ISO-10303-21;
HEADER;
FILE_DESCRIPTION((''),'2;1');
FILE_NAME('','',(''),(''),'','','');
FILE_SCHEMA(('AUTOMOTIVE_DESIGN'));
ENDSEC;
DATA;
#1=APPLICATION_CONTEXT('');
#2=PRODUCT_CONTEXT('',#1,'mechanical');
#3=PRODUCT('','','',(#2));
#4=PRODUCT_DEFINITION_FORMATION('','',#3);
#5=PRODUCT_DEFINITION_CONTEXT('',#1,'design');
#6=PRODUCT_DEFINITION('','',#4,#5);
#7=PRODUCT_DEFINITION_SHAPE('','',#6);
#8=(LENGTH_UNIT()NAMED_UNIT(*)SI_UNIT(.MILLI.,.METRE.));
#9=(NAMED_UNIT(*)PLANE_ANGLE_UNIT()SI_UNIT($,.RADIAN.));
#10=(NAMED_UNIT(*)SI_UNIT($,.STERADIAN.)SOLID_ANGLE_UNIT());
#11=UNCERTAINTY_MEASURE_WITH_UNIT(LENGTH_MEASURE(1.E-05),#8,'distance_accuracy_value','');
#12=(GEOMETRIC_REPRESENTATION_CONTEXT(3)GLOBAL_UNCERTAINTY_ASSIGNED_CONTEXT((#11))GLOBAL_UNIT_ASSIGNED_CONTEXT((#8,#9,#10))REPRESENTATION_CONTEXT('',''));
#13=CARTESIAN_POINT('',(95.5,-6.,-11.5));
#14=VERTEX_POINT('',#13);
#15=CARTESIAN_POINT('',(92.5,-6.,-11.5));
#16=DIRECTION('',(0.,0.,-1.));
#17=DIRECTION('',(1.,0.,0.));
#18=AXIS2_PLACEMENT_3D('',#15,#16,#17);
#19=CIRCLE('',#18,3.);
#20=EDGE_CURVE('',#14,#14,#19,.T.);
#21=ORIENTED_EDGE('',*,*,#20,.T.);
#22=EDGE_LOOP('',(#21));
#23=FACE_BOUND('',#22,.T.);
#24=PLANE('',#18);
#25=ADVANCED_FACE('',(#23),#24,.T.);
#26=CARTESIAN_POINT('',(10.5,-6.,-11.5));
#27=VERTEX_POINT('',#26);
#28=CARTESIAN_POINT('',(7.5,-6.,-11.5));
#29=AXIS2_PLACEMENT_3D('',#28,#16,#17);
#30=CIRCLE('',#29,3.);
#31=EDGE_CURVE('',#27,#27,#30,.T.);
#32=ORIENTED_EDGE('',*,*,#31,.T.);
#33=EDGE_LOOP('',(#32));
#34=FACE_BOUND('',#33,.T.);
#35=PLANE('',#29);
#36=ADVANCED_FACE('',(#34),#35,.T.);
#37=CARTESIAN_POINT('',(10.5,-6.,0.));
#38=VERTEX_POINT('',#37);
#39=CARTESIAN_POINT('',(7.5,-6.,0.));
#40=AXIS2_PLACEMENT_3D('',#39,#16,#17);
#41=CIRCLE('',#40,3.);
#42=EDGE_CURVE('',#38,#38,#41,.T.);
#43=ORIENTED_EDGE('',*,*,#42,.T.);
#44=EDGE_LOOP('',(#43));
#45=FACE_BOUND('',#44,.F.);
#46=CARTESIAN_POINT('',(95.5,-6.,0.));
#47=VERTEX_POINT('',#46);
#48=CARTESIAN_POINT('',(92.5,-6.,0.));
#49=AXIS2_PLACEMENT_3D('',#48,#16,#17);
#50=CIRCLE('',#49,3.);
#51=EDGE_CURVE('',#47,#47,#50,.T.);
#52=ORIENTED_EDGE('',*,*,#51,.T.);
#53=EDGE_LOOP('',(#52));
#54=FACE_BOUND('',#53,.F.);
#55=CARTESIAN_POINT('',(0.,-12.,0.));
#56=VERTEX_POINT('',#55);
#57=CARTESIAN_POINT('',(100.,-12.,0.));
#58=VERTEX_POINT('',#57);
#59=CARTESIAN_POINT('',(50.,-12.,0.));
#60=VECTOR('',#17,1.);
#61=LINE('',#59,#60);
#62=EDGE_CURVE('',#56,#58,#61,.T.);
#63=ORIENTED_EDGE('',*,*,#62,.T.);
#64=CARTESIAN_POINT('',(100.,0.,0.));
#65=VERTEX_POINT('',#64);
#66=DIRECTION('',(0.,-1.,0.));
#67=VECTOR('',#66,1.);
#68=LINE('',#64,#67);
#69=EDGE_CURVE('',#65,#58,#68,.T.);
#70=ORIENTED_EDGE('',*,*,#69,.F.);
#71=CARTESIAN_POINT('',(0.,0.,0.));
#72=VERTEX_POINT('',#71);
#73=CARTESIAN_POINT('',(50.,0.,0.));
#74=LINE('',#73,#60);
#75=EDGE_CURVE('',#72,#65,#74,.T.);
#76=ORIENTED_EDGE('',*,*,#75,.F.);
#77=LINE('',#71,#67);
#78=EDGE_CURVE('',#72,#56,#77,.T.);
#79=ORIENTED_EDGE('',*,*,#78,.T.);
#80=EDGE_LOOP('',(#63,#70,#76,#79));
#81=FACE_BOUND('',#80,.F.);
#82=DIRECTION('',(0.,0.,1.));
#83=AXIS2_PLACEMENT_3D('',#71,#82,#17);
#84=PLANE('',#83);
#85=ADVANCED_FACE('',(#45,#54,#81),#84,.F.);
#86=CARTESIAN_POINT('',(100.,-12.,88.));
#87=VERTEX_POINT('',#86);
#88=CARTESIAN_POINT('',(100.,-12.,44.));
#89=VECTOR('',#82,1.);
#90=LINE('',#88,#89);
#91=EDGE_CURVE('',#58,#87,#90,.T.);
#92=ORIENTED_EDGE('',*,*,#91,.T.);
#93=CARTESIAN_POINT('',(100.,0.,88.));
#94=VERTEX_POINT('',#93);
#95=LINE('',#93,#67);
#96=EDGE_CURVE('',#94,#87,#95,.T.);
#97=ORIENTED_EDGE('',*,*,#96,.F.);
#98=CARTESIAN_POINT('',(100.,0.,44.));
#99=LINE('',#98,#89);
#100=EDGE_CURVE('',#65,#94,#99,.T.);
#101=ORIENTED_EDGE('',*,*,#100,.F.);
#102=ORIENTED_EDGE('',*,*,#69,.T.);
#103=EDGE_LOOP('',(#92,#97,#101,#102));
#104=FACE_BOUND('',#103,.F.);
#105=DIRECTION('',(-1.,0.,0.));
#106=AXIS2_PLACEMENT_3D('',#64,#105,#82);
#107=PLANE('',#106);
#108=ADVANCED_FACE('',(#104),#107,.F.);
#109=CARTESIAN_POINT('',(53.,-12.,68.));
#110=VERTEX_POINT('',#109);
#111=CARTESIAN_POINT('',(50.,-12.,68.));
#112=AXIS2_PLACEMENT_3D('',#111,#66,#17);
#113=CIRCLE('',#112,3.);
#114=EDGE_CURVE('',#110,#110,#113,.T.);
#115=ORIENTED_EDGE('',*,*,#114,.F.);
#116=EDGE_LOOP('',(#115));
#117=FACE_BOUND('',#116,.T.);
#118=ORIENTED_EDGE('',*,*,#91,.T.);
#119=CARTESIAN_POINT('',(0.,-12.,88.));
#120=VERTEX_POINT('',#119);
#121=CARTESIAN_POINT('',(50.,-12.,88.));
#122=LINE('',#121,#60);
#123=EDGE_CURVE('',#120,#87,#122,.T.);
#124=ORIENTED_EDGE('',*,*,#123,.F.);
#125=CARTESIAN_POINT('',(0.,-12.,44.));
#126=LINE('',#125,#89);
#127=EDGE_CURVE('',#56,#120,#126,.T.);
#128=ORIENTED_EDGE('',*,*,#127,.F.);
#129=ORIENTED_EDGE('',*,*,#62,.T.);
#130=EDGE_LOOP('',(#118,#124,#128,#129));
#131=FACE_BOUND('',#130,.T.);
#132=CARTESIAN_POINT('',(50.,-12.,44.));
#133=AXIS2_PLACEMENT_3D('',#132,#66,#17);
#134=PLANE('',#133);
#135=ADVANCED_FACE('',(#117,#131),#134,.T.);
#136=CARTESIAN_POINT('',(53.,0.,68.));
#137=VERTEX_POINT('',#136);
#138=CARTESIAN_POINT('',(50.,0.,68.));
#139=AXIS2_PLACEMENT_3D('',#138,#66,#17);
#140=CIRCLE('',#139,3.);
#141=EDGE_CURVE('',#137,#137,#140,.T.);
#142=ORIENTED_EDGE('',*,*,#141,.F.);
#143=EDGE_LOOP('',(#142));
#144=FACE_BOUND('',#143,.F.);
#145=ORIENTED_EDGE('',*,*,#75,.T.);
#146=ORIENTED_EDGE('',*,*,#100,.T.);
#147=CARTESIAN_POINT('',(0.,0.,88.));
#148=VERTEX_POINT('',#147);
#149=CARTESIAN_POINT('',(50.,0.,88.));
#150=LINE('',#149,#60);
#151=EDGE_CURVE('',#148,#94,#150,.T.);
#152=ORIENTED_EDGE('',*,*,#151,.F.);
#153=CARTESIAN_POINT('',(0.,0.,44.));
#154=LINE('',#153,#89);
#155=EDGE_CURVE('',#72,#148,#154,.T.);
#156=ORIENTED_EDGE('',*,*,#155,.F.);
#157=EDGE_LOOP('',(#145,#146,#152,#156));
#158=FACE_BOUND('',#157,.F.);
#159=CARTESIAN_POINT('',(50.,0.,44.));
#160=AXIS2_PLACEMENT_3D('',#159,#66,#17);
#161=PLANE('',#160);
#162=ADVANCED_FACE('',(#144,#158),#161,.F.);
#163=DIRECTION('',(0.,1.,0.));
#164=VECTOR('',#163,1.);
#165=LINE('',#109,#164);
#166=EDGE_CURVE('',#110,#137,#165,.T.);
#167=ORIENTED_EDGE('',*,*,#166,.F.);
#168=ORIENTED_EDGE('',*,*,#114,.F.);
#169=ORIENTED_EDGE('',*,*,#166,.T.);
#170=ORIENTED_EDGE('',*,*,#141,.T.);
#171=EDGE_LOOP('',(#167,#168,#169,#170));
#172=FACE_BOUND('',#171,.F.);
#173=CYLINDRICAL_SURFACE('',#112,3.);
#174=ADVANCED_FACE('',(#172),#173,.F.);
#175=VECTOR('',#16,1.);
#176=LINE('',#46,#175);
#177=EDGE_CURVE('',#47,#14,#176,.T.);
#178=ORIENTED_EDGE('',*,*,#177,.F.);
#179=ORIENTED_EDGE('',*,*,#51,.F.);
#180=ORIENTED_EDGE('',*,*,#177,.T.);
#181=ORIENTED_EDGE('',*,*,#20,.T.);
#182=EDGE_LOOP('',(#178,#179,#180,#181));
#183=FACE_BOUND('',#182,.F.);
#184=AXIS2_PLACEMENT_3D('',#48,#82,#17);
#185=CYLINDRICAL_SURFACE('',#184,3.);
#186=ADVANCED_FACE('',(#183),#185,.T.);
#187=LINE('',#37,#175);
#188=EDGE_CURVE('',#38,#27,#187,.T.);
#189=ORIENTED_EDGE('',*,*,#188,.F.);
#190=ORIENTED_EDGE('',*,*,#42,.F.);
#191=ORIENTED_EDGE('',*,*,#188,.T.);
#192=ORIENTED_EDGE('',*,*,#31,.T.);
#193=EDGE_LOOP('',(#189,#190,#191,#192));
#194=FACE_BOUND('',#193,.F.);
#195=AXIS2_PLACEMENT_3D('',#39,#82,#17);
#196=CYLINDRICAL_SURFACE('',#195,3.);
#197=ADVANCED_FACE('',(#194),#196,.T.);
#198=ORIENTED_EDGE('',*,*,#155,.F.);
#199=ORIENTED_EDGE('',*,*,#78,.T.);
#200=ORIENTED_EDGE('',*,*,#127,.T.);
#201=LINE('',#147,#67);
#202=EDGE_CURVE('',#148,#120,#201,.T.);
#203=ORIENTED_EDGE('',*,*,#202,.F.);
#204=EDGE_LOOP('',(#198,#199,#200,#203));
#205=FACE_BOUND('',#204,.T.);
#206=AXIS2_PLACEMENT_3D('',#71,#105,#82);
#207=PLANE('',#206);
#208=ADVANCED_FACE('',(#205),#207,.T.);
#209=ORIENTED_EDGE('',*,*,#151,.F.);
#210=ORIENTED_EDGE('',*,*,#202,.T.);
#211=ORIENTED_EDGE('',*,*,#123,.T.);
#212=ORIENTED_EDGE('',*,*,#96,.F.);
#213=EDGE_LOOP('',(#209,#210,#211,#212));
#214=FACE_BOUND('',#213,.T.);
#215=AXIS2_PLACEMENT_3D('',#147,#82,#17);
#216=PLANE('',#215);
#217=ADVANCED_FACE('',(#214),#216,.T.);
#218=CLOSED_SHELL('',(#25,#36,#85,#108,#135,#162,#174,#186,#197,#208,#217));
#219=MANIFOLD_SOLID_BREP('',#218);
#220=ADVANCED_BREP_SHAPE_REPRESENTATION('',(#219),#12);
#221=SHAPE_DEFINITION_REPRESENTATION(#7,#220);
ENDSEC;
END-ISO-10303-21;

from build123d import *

# Parameters (mm, degrees)
F0_W     = 100
F0_H     = 88
F1_DEPTH = 12
F2_R     = 3
F3_DEPTH = 11.5
F4_R     = 3
F5_DEPTH = 12.001


with BuildPart() as f1:
    # F0 (on Front) → F1 (new body)
    with BuildSketch(Plane.XZ):
        with Locations((50, 44)):
            Rectangle(F0_W, F0_H)
    extrude(amount=F1_DEPTH)

    # F2 (on face) → F3 (join)
    with BuildSketch(Plane(origin=(0, 0, 0), x_dir=(1, 0, 0), z_dir=(0, 0, -1))):
        with Locations((7.5, 6)):
            Circle(F2_R)
        with Locations((92.5, 6)):
            Circle(F2_R)
    extrude(amount=F3_DEPTH)

    # F4 (on face) → F5 (cut, through all)
    with BuildSketch(Plane.XZ.offset(12)):
        with Locations((50, 68)):
            Circle(F4_R)
    extrude(amount=-F5_DEPTH, mode=Mode.SUBTRACT)


solid = f1.part
